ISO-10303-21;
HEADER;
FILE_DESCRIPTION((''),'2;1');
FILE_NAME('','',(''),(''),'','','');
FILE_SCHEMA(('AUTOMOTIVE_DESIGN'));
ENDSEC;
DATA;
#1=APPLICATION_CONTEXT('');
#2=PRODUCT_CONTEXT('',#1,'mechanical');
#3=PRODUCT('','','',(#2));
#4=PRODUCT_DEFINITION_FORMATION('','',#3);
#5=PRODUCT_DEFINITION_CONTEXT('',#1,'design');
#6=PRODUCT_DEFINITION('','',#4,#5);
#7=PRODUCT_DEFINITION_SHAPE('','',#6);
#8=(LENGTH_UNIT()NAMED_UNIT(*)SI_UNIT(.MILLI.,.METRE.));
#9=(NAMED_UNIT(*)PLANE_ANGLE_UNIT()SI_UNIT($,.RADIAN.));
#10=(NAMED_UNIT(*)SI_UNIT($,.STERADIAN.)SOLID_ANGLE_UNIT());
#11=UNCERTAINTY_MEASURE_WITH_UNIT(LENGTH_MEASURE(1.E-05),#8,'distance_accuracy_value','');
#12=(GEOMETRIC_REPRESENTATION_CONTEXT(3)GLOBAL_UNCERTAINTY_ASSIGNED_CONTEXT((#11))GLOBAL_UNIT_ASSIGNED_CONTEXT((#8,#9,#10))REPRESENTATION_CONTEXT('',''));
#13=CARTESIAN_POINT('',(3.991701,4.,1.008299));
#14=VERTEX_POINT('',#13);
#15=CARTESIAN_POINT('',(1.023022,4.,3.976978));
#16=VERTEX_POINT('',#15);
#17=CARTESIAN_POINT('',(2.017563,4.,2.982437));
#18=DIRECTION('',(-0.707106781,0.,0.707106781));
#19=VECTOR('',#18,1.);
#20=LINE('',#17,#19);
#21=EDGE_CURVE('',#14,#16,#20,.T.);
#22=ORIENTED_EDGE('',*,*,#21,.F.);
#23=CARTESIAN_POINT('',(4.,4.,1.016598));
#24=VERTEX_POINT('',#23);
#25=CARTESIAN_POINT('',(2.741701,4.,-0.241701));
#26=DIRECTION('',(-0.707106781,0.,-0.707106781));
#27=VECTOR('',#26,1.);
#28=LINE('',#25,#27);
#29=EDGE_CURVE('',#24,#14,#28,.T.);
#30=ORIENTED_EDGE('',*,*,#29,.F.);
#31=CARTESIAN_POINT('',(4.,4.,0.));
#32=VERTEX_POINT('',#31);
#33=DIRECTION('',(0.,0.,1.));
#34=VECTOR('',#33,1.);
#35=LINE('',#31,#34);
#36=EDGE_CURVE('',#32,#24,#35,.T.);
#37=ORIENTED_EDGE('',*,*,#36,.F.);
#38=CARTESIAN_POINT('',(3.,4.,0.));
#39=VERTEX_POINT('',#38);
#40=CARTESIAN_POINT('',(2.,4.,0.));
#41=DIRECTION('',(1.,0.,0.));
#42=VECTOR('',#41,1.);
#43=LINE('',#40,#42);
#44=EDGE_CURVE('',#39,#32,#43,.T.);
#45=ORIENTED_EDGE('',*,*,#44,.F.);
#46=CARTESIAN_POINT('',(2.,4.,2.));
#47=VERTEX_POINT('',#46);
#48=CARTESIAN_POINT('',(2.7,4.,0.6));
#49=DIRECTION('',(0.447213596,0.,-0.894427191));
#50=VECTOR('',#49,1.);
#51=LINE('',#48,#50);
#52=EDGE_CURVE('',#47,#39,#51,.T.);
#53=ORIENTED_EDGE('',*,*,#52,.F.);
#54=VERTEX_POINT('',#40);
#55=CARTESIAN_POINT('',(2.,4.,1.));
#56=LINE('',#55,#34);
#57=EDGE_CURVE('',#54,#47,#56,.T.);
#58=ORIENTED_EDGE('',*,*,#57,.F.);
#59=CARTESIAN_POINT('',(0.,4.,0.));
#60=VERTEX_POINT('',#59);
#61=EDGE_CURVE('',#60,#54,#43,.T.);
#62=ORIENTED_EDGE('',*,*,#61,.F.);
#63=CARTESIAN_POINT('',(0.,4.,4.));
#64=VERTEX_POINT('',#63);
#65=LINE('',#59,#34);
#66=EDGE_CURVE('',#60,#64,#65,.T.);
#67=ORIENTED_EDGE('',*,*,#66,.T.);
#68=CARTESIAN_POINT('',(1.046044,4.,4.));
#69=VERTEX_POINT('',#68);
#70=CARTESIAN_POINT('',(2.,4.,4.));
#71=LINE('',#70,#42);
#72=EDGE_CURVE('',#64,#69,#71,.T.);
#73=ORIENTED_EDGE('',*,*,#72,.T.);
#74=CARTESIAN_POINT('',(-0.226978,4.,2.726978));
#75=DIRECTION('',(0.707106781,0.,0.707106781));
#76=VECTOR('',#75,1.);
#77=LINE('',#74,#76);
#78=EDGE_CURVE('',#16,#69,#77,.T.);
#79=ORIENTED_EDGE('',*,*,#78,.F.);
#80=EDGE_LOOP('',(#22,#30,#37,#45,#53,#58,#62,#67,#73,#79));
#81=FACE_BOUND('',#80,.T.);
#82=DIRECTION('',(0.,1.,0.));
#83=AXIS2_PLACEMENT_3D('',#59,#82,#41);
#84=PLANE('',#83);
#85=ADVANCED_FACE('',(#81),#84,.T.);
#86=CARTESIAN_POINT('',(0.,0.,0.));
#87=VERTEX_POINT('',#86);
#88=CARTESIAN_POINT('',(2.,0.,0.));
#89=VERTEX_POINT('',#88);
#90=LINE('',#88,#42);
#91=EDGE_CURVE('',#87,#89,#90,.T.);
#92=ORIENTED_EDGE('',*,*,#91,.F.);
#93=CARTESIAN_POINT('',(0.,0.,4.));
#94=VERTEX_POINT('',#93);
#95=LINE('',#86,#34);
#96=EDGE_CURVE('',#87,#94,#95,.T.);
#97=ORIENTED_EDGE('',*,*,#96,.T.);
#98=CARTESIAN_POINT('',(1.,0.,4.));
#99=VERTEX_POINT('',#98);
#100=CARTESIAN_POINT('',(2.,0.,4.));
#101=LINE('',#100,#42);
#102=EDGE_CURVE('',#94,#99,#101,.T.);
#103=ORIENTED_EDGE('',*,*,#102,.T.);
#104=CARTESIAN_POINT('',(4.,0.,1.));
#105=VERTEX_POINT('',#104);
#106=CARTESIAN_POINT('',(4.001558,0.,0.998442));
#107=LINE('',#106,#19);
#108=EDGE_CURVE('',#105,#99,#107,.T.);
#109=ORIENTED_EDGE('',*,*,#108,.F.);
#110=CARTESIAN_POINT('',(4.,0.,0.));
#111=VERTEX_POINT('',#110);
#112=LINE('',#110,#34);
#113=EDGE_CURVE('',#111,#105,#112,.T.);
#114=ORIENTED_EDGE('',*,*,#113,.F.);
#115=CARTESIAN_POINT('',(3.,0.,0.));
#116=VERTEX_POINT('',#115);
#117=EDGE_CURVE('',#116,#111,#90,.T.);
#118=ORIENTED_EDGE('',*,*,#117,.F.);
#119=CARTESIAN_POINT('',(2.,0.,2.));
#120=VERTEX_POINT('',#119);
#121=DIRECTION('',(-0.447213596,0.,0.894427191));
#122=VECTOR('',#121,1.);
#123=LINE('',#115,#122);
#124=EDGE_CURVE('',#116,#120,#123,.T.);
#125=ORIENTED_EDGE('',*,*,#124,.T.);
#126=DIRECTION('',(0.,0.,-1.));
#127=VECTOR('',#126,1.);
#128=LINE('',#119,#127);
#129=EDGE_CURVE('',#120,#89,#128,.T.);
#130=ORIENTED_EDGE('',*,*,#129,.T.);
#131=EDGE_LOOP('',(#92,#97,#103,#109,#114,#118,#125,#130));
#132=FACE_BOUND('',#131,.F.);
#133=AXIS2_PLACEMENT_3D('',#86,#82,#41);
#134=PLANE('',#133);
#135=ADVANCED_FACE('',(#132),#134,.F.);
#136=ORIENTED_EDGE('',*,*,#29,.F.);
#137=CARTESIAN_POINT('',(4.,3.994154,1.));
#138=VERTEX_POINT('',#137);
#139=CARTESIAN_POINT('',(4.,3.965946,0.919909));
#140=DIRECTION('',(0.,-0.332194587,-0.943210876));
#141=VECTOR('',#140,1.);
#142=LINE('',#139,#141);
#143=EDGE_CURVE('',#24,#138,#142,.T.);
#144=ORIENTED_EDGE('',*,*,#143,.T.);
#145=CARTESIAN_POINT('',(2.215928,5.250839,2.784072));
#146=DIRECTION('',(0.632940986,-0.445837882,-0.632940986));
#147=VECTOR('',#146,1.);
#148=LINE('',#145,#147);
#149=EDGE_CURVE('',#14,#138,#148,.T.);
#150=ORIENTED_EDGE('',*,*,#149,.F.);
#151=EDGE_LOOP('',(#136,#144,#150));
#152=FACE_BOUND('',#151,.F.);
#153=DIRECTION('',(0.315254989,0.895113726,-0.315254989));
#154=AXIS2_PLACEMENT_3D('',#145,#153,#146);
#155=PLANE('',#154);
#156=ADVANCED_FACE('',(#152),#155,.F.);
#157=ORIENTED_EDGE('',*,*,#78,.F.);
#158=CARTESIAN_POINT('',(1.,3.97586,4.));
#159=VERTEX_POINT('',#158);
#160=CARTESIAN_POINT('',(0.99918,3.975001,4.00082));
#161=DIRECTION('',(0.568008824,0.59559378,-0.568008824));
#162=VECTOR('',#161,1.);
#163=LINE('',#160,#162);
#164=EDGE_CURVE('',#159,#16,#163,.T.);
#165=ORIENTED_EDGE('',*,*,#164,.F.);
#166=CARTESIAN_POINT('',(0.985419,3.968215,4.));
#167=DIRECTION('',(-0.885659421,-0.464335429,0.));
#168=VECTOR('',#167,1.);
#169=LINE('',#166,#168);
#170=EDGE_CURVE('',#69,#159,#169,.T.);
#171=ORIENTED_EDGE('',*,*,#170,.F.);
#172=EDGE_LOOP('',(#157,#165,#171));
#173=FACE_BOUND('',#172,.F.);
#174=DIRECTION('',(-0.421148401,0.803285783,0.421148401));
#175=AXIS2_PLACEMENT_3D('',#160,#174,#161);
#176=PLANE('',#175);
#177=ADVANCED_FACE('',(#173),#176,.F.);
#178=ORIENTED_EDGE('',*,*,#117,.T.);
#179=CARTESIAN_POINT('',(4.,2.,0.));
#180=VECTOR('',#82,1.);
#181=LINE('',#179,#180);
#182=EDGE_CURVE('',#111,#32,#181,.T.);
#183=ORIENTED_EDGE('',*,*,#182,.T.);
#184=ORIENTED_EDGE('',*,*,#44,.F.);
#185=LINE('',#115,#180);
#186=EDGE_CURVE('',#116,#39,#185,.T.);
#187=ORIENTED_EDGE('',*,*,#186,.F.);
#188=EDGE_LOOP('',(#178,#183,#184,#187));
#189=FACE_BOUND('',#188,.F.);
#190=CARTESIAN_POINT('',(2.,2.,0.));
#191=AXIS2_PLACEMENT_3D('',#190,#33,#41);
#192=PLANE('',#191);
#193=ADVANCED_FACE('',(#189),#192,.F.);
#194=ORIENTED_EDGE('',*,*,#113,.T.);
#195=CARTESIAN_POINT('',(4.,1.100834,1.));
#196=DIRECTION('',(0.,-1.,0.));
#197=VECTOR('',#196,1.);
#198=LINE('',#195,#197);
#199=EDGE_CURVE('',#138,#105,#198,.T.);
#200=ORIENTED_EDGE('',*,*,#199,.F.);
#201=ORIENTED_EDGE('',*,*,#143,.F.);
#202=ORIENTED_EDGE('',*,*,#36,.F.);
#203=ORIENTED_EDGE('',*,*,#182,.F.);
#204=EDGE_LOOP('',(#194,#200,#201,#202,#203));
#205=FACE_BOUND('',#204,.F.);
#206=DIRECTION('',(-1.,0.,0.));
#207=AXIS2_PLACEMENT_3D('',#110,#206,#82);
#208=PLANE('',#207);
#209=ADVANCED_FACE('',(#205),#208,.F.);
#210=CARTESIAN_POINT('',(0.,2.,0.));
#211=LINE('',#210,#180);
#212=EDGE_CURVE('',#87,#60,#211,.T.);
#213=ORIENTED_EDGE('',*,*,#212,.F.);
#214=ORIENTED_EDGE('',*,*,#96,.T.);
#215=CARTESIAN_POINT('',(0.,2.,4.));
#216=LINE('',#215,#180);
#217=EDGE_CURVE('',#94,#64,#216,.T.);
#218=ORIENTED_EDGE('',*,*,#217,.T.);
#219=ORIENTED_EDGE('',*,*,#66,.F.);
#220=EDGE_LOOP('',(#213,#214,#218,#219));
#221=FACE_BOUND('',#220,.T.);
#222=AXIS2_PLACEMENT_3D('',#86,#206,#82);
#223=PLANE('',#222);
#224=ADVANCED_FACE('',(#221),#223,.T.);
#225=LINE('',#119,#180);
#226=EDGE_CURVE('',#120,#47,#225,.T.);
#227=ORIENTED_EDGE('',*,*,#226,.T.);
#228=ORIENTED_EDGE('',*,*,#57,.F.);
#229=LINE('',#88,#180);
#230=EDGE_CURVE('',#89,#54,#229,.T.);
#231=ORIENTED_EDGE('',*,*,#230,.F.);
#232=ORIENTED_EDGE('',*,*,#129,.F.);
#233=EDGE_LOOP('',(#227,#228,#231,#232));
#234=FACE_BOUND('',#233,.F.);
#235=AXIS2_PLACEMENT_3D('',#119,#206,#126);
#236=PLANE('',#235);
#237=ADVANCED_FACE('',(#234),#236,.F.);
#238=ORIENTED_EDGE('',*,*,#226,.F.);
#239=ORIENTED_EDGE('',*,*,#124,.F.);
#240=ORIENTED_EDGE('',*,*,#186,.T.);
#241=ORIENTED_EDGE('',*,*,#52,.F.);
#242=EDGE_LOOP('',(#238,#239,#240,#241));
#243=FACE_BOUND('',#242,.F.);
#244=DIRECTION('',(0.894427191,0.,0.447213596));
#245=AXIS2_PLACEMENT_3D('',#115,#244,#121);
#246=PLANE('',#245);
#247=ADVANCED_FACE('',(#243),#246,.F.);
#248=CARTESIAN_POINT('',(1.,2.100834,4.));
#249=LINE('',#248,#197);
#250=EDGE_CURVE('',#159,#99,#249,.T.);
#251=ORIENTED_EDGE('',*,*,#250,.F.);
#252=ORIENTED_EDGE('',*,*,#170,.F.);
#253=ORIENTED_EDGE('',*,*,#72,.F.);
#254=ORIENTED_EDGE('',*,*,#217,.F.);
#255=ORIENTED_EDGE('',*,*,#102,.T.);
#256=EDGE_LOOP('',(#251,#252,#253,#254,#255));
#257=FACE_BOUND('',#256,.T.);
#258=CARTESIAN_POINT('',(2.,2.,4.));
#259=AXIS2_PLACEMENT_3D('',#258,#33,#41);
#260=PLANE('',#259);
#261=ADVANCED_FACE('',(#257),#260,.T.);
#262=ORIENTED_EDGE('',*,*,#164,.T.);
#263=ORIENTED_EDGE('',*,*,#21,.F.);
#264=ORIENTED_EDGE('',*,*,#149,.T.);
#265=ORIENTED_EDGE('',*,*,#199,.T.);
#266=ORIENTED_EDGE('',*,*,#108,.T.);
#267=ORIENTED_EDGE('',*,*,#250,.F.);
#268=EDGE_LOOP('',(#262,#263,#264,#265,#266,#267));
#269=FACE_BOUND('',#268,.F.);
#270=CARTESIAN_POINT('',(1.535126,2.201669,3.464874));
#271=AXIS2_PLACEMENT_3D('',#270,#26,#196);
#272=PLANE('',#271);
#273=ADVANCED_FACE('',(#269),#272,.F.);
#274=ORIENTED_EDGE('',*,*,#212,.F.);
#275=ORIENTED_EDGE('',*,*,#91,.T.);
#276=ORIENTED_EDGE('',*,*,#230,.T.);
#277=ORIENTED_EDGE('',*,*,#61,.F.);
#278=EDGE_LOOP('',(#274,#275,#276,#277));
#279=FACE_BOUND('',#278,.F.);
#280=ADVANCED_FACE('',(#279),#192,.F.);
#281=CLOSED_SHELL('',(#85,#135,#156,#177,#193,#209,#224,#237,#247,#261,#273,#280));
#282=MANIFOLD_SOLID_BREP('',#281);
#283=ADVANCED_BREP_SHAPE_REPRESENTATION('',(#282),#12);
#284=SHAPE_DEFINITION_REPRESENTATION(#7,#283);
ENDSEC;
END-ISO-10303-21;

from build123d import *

# Parameters (mm, degrees)
F0_W     = 4
F0_H     = 4
F1_DEPTH = 4
F3_DEPTH = 25
F8_DEPTH = 25


with BuildPart() as f1:
    # F0 (on Top) → F1 (new body)
    with BuildSketch(Plane.XY):
        with Locations((2, 2)):
            Rectangle(F0_W, F0_H)
    extrude(amount=F1_DEPTH)

    # F2 (on face) → F3 (cut)
    with BuildSketch(Plane.XZ):
        Polygon((2, 2), (2, 0), (3, 0), align=None)
    extrude(amount=-F3_DEPTH, mode=Mode.SUBTRACT)

    # F7 (on 3pt) → F8 (cut)
    with BuildSketch(Plane(origin=(2.5, 0, 2.5), x_dir=(0, -1, 0), z_dir=(-0.7071067812, 0, -0.7071067812))):
        Polygon((-1.2632596772, 0.4017388273), (0, 2.1224794909), (-3.9750006981, 2.1224794909), (-3.9823182922, 0.4017388273), align=None)
        Polygon((0, -2.1235230379), (0, 2.1224794909), (-1.2632596772, 0.4017388273), align=None)
        Polygon((-3.9930571802, -2.1235230379), (0, -2.1235230379), (-1.2632596772, 0.4017388273), (-3.9823182922, 0.4017388273), align=None)
        Polygon((-3.9823182922, 0.4017388273), (-3.9750006981, 2.1224794909), (-5.2508385852, 0.4017388273), align=None)
        Polygon((-5.2508385852, 0.4017388273), (-3.9930571802, -2.1235230379), (-3.9823182922, 0.4017388273), align=None)
    extrude(amount=-F8_DEPTH, mode=Mode.SUBTRACT)


solid = f1.part
